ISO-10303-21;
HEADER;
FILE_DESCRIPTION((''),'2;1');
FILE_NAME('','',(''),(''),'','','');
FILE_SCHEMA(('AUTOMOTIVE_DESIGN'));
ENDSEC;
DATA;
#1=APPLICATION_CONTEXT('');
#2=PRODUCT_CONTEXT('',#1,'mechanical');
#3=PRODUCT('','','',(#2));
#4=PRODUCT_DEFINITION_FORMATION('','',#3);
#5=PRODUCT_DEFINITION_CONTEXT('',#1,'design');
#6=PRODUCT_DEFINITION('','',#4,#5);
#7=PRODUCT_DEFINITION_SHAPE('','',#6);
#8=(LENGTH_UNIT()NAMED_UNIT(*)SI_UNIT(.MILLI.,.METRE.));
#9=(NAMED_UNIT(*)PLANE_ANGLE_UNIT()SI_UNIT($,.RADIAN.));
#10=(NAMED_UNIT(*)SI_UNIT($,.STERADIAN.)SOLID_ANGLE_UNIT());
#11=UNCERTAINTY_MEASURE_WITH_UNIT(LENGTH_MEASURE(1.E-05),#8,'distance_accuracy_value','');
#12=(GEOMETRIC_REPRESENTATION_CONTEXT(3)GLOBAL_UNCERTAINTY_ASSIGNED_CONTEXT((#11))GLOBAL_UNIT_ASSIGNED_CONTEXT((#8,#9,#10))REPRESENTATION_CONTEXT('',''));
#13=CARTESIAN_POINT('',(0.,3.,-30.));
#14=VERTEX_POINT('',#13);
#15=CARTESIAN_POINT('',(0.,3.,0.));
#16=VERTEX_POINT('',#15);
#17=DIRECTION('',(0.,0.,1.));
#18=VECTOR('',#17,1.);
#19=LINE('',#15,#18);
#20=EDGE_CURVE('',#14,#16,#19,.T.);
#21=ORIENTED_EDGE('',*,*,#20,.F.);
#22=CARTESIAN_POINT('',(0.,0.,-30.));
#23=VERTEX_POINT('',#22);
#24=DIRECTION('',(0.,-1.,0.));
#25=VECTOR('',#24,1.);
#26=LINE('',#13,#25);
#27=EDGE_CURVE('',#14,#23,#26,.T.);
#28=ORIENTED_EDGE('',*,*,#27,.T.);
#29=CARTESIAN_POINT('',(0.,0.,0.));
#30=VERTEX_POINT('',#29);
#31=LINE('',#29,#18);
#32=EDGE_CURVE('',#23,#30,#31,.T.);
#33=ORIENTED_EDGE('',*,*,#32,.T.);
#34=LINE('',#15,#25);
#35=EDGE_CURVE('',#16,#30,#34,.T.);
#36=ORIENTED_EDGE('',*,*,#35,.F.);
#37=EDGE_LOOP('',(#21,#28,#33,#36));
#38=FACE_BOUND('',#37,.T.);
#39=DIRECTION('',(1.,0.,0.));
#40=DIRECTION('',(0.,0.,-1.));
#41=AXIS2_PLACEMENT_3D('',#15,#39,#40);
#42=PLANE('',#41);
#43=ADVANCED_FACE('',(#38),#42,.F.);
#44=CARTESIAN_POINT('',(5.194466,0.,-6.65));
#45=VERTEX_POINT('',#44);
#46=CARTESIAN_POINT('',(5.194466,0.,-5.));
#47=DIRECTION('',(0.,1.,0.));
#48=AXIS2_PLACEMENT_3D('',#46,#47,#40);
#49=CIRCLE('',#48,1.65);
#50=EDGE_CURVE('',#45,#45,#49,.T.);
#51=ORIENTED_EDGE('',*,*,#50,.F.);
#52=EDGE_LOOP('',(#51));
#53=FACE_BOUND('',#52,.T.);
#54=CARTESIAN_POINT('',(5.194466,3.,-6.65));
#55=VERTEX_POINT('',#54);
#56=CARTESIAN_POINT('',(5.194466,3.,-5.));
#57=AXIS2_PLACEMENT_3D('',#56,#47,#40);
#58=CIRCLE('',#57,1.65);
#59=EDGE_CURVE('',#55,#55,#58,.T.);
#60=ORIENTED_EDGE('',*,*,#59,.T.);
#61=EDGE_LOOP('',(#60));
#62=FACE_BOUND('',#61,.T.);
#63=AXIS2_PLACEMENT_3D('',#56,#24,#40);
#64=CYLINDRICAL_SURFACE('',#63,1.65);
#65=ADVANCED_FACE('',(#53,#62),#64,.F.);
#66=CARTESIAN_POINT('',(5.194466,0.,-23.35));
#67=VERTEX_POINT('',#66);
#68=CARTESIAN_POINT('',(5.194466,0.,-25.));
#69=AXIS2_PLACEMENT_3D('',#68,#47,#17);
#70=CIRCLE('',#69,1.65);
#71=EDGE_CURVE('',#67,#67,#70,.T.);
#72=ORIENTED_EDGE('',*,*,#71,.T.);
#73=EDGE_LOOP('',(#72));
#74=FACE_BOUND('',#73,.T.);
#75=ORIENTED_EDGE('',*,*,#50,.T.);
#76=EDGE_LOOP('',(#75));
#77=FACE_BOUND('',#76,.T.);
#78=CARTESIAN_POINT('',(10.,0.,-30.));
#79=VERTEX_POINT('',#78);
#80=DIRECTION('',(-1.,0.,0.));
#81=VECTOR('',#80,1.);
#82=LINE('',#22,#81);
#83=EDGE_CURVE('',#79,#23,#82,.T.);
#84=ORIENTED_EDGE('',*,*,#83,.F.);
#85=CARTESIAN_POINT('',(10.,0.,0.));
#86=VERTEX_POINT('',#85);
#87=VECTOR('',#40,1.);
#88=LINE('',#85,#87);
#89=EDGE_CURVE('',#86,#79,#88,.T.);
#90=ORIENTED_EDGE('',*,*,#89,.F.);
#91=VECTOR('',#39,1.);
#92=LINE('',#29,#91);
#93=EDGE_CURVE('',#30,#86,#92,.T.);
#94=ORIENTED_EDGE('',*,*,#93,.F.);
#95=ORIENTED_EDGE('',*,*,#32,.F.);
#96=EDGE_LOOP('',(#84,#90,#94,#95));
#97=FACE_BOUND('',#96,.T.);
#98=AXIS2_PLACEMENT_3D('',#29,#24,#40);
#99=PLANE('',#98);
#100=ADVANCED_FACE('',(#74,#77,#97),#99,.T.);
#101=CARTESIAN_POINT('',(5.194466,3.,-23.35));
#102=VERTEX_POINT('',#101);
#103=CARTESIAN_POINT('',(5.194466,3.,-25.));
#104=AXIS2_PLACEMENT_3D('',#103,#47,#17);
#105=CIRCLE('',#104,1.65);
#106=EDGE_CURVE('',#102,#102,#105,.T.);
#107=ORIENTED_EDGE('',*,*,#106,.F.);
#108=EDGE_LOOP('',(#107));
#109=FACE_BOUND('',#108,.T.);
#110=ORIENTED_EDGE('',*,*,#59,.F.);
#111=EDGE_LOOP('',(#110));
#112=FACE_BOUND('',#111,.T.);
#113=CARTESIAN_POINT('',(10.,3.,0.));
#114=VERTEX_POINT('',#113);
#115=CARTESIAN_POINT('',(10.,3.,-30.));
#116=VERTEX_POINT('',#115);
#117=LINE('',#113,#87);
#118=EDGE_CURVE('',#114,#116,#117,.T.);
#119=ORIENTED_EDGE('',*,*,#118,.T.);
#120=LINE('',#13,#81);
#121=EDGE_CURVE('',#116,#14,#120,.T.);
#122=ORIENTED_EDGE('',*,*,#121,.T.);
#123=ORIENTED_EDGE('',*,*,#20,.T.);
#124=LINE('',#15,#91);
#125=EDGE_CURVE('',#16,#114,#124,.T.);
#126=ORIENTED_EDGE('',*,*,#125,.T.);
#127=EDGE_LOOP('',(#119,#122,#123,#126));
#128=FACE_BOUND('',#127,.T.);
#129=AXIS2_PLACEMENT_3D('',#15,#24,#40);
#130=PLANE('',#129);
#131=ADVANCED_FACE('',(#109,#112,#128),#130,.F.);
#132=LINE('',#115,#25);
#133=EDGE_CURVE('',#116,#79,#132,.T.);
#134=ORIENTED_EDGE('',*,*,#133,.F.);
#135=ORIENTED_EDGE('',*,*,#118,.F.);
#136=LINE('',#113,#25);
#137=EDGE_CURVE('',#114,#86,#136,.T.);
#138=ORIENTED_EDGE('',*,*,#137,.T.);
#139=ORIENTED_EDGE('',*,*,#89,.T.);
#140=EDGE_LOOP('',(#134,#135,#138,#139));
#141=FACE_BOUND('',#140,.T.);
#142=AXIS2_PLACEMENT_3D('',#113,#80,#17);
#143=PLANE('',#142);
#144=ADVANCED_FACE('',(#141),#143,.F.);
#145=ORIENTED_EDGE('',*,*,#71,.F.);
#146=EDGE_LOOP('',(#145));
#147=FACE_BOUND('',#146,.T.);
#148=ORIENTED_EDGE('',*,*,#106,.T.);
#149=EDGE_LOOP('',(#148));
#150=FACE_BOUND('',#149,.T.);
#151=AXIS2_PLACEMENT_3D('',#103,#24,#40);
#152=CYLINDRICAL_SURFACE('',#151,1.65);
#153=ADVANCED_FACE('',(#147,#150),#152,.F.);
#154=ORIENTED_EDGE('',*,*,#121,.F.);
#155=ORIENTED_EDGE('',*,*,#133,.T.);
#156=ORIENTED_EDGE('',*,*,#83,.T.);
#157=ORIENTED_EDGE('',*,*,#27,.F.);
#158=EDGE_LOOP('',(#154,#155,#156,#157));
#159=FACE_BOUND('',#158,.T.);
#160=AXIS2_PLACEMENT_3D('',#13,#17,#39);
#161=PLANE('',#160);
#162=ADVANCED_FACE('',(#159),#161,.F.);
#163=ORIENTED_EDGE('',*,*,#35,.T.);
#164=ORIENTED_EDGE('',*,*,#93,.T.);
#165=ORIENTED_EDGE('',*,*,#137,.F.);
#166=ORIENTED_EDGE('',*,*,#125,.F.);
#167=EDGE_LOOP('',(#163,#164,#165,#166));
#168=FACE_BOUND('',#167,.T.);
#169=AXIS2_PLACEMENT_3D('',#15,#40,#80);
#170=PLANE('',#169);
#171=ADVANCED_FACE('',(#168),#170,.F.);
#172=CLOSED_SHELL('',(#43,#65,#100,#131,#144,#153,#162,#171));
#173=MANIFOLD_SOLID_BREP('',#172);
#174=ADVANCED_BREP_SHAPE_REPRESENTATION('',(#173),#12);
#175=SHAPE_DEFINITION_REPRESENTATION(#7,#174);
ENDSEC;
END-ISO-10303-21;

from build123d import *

# Parameters (mm, degrees)
SKETCH1_W           = 10
SKETCH1_H           = 30
SKETCH1_R           = 1.65
BOSS_EXTRUDE1_DEPTH = 3


with BuildPart() as part:
    # Sketch1 → Boss-Extrude1 (new body)
    with BuildSketch(Plane(origin=(0, 0, 0), x_dir=(1, 0, 0), z_dir=(0, 1, 0))):
        with Locations((5, 15)):
            Rectangle(SKETCH1_W, SKETCH1_H)
        with Locations(Location((5.194465668, 25, 0), (0, 0, 270))):
            Circle(SKETCH1_R, mode=Mode.SUBTRACT)
        with Locations(Location((5.194465668, 5, 0), (0, 0, 90))):
            Circle(SKETCH1_R, mode=Mode.SUBTRACT)
    extrude(amount=BOSS_EXTRUDE1_DEPTH)


solid = part.part
